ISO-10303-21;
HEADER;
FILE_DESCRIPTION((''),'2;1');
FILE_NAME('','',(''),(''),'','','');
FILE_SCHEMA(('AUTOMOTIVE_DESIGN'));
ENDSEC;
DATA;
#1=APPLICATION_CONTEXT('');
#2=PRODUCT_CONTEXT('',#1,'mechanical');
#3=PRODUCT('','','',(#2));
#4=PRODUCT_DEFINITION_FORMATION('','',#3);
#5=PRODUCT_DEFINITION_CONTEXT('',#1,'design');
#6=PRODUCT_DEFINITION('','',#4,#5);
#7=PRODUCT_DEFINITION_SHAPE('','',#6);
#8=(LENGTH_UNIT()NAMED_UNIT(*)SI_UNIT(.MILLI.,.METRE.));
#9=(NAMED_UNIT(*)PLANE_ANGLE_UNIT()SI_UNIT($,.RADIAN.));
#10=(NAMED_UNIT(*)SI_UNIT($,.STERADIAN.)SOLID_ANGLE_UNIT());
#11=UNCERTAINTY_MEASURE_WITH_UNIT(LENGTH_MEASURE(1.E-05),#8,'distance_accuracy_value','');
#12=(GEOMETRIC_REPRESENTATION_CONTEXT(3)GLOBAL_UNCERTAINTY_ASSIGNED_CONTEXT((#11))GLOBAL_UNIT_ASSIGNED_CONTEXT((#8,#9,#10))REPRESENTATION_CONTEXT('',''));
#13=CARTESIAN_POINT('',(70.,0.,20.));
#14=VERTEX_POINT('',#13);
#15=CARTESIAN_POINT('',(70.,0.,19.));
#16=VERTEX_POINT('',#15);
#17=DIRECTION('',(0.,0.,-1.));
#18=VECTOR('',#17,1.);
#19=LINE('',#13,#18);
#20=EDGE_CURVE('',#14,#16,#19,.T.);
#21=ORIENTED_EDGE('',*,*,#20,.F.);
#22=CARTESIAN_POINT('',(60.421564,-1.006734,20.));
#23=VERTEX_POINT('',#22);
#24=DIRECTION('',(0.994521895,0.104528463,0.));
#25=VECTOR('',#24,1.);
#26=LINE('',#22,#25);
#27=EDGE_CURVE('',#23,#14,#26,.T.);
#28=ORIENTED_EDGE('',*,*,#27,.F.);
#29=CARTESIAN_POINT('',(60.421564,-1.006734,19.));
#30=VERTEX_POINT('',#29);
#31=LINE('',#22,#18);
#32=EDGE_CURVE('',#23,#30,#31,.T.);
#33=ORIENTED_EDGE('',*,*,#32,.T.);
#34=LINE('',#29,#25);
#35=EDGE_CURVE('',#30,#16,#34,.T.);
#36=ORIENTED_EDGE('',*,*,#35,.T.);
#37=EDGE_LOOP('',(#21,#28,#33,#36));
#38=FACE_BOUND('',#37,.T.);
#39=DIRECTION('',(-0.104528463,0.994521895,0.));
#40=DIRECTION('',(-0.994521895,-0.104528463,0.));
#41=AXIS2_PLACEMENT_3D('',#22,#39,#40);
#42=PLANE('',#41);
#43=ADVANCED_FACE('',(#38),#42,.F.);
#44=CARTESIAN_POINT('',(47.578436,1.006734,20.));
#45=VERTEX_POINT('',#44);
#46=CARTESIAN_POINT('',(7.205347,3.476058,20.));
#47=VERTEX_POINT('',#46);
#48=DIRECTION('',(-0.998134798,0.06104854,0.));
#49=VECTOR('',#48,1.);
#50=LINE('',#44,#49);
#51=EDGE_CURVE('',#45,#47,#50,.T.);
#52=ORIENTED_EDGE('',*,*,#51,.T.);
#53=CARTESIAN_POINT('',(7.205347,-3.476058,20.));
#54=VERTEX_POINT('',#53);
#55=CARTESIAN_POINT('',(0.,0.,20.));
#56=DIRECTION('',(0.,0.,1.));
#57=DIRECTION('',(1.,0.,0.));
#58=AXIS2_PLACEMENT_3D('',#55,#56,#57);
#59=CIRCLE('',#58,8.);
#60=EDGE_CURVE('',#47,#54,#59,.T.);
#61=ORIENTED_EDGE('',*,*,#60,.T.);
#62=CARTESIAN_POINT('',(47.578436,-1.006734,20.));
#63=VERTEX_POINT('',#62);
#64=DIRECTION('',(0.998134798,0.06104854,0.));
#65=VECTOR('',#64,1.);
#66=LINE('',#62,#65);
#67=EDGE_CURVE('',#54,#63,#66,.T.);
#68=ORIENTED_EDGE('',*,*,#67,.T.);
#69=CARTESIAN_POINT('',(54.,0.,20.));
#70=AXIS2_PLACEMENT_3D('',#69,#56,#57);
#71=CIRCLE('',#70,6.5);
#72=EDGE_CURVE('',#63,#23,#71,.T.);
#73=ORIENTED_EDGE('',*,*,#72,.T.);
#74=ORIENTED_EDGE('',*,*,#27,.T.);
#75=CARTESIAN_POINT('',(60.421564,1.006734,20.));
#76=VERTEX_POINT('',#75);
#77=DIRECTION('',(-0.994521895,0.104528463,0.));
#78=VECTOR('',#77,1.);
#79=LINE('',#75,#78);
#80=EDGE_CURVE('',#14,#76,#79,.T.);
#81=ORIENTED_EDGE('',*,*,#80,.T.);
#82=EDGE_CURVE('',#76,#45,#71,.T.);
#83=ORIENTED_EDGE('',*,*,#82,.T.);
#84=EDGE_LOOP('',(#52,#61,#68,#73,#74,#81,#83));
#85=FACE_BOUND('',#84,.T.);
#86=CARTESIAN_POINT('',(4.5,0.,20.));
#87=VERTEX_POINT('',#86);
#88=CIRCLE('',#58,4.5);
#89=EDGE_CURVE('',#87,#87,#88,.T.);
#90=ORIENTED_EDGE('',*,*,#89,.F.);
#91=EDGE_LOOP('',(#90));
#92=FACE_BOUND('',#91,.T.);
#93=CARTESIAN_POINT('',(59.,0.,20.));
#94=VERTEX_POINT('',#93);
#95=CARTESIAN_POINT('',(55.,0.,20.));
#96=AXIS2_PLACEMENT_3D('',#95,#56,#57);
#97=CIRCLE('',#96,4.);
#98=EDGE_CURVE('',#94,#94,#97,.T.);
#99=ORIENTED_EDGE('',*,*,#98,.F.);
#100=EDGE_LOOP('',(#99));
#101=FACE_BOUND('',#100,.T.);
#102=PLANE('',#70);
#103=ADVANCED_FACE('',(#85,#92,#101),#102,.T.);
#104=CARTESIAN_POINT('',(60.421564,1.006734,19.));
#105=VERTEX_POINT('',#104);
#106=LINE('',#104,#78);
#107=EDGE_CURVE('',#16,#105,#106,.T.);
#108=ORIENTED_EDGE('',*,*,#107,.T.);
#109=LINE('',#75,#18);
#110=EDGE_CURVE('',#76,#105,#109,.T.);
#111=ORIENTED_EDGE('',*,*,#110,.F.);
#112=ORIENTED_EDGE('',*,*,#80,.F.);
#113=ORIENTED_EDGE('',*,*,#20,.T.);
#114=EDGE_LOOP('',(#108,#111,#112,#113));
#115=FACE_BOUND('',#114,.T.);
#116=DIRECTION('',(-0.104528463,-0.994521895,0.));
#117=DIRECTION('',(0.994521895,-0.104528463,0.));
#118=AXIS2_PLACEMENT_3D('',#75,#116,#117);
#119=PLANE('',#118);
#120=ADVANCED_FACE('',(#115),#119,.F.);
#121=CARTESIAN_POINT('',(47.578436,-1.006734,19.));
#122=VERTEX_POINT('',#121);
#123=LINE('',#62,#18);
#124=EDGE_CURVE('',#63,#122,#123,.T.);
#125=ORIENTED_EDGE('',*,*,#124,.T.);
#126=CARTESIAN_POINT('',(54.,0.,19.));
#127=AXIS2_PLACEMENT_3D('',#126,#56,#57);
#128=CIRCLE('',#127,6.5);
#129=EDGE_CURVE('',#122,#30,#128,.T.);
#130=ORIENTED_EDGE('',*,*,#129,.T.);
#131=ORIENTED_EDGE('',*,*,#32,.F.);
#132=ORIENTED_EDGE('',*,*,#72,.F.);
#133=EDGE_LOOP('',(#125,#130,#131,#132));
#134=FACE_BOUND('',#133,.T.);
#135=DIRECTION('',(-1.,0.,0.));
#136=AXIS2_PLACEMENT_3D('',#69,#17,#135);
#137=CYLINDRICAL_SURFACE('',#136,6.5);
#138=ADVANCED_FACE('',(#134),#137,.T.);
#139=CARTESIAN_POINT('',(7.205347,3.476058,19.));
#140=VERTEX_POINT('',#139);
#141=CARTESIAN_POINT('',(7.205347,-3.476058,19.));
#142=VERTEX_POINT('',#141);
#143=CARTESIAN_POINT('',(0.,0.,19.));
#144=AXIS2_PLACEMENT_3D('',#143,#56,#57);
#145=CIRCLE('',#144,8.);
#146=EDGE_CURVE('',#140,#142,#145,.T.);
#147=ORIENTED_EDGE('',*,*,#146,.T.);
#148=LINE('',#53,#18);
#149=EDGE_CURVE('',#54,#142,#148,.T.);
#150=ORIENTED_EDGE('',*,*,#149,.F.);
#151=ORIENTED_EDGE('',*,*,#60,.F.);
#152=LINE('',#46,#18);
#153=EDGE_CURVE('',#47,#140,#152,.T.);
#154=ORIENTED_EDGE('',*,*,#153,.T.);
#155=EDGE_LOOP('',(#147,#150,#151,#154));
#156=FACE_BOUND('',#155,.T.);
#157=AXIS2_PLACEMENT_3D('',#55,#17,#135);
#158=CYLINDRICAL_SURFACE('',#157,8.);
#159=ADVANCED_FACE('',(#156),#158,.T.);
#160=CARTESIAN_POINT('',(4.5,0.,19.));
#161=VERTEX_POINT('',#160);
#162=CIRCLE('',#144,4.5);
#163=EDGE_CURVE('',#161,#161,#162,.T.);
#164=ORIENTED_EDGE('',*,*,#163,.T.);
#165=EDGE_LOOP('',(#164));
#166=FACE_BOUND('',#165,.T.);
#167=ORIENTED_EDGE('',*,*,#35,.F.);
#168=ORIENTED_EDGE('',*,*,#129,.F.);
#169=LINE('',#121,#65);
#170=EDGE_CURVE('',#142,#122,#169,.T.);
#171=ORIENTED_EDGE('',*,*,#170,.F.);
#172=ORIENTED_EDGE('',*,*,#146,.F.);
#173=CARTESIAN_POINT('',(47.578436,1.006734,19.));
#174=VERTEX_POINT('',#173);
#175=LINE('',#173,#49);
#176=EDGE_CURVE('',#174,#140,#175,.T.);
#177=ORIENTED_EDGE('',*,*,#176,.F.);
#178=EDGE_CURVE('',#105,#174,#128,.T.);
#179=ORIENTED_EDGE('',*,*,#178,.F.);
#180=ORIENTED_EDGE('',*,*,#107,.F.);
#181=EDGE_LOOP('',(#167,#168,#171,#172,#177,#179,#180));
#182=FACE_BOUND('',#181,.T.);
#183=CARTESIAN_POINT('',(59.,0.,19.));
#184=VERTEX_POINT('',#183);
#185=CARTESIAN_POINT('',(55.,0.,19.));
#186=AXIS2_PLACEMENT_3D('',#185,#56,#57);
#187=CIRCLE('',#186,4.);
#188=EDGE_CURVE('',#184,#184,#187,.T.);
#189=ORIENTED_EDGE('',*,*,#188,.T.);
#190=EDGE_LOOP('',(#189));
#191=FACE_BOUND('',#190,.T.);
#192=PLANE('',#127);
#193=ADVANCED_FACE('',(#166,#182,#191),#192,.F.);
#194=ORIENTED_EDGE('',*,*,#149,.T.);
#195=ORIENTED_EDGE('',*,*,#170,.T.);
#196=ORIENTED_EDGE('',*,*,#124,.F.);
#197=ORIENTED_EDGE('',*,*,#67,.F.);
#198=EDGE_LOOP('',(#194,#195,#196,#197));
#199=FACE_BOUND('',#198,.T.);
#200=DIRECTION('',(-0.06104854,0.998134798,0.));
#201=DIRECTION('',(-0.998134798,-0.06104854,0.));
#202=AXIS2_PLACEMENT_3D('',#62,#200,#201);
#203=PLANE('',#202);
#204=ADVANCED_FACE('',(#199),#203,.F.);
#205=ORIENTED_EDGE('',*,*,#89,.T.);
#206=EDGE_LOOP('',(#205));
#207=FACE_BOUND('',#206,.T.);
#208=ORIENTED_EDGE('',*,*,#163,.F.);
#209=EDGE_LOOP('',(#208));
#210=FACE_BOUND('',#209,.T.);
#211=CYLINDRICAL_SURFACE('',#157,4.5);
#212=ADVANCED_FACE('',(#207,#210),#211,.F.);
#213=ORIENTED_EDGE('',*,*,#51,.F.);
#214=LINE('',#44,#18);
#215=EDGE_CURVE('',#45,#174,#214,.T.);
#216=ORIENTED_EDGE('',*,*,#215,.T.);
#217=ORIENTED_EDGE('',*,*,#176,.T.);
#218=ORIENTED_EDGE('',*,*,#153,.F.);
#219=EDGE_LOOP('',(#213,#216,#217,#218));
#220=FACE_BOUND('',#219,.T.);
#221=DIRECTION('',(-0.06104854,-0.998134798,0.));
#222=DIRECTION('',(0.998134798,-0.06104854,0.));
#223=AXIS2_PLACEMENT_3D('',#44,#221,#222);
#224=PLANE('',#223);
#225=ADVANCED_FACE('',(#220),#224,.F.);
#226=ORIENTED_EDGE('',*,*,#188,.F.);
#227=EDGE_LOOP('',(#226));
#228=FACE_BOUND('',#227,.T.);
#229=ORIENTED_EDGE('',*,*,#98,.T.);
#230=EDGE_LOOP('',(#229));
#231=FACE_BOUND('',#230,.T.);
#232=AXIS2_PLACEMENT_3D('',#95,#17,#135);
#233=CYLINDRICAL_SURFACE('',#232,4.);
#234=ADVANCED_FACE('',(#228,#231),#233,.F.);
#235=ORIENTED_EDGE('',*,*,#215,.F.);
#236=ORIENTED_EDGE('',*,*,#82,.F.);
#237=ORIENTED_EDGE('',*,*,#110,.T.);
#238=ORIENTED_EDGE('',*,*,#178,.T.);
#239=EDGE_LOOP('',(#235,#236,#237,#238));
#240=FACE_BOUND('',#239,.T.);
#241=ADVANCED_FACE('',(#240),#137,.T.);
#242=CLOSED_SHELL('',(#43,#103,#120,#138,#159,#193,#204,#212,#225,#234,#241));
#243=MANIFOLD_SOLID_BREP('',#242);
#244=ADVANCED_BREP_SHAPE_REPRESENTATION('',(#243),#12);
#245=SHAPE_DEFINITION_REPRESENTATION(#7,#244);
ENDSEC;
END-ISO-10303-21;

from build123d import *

# Parameters (mm, degrees)
BOSS_EXTRUDE1_START = 19
SKETCH1_R           = 4
SKETCH1_R_2         = 4.5
BOSS_EXTRUDE1_DEPTH = 1


with BuildPart() as part:
    # Sketch1 → Boss-Extrude1 (new body)
    with BuildSketch(Plane.XY.offset(BOSS_EXTRUDE1_START)):
        with BuildLine():
            Line((60.421564163, 1.006734174), (70, 0))
            Line((70, 0), (60.421564163, -1.006734174))
            ThreePointArc((60.421564163, -1.006734174), (54, -6.5), (47.578435837, -1.006734174))
            Line((47.578435837, -1.006734174), (7.205346635, -3.476058093))
            ThreePointArc((7.205346635, -3.476058093), (-8, 0), (7.205346635, 3.476058093))
            Line((7.205346635, 3.476058093), (47.578435837, 1.006734174))
            ThreePointArc((47.578435837, 1.006734174), (54, 6.5), (60.421564163, 1.006734174))
        make_face()
        with Locations((55, 0)):
            Circle(SKETCH1_R, mode=Mode.SUBTRACT)
        Circle(SKETCH1_R_2, mode=Mode.SUBTRACT)
    extrude(amount=BOSS_EXTRUDE1_DEPTH)


solid = part.part
